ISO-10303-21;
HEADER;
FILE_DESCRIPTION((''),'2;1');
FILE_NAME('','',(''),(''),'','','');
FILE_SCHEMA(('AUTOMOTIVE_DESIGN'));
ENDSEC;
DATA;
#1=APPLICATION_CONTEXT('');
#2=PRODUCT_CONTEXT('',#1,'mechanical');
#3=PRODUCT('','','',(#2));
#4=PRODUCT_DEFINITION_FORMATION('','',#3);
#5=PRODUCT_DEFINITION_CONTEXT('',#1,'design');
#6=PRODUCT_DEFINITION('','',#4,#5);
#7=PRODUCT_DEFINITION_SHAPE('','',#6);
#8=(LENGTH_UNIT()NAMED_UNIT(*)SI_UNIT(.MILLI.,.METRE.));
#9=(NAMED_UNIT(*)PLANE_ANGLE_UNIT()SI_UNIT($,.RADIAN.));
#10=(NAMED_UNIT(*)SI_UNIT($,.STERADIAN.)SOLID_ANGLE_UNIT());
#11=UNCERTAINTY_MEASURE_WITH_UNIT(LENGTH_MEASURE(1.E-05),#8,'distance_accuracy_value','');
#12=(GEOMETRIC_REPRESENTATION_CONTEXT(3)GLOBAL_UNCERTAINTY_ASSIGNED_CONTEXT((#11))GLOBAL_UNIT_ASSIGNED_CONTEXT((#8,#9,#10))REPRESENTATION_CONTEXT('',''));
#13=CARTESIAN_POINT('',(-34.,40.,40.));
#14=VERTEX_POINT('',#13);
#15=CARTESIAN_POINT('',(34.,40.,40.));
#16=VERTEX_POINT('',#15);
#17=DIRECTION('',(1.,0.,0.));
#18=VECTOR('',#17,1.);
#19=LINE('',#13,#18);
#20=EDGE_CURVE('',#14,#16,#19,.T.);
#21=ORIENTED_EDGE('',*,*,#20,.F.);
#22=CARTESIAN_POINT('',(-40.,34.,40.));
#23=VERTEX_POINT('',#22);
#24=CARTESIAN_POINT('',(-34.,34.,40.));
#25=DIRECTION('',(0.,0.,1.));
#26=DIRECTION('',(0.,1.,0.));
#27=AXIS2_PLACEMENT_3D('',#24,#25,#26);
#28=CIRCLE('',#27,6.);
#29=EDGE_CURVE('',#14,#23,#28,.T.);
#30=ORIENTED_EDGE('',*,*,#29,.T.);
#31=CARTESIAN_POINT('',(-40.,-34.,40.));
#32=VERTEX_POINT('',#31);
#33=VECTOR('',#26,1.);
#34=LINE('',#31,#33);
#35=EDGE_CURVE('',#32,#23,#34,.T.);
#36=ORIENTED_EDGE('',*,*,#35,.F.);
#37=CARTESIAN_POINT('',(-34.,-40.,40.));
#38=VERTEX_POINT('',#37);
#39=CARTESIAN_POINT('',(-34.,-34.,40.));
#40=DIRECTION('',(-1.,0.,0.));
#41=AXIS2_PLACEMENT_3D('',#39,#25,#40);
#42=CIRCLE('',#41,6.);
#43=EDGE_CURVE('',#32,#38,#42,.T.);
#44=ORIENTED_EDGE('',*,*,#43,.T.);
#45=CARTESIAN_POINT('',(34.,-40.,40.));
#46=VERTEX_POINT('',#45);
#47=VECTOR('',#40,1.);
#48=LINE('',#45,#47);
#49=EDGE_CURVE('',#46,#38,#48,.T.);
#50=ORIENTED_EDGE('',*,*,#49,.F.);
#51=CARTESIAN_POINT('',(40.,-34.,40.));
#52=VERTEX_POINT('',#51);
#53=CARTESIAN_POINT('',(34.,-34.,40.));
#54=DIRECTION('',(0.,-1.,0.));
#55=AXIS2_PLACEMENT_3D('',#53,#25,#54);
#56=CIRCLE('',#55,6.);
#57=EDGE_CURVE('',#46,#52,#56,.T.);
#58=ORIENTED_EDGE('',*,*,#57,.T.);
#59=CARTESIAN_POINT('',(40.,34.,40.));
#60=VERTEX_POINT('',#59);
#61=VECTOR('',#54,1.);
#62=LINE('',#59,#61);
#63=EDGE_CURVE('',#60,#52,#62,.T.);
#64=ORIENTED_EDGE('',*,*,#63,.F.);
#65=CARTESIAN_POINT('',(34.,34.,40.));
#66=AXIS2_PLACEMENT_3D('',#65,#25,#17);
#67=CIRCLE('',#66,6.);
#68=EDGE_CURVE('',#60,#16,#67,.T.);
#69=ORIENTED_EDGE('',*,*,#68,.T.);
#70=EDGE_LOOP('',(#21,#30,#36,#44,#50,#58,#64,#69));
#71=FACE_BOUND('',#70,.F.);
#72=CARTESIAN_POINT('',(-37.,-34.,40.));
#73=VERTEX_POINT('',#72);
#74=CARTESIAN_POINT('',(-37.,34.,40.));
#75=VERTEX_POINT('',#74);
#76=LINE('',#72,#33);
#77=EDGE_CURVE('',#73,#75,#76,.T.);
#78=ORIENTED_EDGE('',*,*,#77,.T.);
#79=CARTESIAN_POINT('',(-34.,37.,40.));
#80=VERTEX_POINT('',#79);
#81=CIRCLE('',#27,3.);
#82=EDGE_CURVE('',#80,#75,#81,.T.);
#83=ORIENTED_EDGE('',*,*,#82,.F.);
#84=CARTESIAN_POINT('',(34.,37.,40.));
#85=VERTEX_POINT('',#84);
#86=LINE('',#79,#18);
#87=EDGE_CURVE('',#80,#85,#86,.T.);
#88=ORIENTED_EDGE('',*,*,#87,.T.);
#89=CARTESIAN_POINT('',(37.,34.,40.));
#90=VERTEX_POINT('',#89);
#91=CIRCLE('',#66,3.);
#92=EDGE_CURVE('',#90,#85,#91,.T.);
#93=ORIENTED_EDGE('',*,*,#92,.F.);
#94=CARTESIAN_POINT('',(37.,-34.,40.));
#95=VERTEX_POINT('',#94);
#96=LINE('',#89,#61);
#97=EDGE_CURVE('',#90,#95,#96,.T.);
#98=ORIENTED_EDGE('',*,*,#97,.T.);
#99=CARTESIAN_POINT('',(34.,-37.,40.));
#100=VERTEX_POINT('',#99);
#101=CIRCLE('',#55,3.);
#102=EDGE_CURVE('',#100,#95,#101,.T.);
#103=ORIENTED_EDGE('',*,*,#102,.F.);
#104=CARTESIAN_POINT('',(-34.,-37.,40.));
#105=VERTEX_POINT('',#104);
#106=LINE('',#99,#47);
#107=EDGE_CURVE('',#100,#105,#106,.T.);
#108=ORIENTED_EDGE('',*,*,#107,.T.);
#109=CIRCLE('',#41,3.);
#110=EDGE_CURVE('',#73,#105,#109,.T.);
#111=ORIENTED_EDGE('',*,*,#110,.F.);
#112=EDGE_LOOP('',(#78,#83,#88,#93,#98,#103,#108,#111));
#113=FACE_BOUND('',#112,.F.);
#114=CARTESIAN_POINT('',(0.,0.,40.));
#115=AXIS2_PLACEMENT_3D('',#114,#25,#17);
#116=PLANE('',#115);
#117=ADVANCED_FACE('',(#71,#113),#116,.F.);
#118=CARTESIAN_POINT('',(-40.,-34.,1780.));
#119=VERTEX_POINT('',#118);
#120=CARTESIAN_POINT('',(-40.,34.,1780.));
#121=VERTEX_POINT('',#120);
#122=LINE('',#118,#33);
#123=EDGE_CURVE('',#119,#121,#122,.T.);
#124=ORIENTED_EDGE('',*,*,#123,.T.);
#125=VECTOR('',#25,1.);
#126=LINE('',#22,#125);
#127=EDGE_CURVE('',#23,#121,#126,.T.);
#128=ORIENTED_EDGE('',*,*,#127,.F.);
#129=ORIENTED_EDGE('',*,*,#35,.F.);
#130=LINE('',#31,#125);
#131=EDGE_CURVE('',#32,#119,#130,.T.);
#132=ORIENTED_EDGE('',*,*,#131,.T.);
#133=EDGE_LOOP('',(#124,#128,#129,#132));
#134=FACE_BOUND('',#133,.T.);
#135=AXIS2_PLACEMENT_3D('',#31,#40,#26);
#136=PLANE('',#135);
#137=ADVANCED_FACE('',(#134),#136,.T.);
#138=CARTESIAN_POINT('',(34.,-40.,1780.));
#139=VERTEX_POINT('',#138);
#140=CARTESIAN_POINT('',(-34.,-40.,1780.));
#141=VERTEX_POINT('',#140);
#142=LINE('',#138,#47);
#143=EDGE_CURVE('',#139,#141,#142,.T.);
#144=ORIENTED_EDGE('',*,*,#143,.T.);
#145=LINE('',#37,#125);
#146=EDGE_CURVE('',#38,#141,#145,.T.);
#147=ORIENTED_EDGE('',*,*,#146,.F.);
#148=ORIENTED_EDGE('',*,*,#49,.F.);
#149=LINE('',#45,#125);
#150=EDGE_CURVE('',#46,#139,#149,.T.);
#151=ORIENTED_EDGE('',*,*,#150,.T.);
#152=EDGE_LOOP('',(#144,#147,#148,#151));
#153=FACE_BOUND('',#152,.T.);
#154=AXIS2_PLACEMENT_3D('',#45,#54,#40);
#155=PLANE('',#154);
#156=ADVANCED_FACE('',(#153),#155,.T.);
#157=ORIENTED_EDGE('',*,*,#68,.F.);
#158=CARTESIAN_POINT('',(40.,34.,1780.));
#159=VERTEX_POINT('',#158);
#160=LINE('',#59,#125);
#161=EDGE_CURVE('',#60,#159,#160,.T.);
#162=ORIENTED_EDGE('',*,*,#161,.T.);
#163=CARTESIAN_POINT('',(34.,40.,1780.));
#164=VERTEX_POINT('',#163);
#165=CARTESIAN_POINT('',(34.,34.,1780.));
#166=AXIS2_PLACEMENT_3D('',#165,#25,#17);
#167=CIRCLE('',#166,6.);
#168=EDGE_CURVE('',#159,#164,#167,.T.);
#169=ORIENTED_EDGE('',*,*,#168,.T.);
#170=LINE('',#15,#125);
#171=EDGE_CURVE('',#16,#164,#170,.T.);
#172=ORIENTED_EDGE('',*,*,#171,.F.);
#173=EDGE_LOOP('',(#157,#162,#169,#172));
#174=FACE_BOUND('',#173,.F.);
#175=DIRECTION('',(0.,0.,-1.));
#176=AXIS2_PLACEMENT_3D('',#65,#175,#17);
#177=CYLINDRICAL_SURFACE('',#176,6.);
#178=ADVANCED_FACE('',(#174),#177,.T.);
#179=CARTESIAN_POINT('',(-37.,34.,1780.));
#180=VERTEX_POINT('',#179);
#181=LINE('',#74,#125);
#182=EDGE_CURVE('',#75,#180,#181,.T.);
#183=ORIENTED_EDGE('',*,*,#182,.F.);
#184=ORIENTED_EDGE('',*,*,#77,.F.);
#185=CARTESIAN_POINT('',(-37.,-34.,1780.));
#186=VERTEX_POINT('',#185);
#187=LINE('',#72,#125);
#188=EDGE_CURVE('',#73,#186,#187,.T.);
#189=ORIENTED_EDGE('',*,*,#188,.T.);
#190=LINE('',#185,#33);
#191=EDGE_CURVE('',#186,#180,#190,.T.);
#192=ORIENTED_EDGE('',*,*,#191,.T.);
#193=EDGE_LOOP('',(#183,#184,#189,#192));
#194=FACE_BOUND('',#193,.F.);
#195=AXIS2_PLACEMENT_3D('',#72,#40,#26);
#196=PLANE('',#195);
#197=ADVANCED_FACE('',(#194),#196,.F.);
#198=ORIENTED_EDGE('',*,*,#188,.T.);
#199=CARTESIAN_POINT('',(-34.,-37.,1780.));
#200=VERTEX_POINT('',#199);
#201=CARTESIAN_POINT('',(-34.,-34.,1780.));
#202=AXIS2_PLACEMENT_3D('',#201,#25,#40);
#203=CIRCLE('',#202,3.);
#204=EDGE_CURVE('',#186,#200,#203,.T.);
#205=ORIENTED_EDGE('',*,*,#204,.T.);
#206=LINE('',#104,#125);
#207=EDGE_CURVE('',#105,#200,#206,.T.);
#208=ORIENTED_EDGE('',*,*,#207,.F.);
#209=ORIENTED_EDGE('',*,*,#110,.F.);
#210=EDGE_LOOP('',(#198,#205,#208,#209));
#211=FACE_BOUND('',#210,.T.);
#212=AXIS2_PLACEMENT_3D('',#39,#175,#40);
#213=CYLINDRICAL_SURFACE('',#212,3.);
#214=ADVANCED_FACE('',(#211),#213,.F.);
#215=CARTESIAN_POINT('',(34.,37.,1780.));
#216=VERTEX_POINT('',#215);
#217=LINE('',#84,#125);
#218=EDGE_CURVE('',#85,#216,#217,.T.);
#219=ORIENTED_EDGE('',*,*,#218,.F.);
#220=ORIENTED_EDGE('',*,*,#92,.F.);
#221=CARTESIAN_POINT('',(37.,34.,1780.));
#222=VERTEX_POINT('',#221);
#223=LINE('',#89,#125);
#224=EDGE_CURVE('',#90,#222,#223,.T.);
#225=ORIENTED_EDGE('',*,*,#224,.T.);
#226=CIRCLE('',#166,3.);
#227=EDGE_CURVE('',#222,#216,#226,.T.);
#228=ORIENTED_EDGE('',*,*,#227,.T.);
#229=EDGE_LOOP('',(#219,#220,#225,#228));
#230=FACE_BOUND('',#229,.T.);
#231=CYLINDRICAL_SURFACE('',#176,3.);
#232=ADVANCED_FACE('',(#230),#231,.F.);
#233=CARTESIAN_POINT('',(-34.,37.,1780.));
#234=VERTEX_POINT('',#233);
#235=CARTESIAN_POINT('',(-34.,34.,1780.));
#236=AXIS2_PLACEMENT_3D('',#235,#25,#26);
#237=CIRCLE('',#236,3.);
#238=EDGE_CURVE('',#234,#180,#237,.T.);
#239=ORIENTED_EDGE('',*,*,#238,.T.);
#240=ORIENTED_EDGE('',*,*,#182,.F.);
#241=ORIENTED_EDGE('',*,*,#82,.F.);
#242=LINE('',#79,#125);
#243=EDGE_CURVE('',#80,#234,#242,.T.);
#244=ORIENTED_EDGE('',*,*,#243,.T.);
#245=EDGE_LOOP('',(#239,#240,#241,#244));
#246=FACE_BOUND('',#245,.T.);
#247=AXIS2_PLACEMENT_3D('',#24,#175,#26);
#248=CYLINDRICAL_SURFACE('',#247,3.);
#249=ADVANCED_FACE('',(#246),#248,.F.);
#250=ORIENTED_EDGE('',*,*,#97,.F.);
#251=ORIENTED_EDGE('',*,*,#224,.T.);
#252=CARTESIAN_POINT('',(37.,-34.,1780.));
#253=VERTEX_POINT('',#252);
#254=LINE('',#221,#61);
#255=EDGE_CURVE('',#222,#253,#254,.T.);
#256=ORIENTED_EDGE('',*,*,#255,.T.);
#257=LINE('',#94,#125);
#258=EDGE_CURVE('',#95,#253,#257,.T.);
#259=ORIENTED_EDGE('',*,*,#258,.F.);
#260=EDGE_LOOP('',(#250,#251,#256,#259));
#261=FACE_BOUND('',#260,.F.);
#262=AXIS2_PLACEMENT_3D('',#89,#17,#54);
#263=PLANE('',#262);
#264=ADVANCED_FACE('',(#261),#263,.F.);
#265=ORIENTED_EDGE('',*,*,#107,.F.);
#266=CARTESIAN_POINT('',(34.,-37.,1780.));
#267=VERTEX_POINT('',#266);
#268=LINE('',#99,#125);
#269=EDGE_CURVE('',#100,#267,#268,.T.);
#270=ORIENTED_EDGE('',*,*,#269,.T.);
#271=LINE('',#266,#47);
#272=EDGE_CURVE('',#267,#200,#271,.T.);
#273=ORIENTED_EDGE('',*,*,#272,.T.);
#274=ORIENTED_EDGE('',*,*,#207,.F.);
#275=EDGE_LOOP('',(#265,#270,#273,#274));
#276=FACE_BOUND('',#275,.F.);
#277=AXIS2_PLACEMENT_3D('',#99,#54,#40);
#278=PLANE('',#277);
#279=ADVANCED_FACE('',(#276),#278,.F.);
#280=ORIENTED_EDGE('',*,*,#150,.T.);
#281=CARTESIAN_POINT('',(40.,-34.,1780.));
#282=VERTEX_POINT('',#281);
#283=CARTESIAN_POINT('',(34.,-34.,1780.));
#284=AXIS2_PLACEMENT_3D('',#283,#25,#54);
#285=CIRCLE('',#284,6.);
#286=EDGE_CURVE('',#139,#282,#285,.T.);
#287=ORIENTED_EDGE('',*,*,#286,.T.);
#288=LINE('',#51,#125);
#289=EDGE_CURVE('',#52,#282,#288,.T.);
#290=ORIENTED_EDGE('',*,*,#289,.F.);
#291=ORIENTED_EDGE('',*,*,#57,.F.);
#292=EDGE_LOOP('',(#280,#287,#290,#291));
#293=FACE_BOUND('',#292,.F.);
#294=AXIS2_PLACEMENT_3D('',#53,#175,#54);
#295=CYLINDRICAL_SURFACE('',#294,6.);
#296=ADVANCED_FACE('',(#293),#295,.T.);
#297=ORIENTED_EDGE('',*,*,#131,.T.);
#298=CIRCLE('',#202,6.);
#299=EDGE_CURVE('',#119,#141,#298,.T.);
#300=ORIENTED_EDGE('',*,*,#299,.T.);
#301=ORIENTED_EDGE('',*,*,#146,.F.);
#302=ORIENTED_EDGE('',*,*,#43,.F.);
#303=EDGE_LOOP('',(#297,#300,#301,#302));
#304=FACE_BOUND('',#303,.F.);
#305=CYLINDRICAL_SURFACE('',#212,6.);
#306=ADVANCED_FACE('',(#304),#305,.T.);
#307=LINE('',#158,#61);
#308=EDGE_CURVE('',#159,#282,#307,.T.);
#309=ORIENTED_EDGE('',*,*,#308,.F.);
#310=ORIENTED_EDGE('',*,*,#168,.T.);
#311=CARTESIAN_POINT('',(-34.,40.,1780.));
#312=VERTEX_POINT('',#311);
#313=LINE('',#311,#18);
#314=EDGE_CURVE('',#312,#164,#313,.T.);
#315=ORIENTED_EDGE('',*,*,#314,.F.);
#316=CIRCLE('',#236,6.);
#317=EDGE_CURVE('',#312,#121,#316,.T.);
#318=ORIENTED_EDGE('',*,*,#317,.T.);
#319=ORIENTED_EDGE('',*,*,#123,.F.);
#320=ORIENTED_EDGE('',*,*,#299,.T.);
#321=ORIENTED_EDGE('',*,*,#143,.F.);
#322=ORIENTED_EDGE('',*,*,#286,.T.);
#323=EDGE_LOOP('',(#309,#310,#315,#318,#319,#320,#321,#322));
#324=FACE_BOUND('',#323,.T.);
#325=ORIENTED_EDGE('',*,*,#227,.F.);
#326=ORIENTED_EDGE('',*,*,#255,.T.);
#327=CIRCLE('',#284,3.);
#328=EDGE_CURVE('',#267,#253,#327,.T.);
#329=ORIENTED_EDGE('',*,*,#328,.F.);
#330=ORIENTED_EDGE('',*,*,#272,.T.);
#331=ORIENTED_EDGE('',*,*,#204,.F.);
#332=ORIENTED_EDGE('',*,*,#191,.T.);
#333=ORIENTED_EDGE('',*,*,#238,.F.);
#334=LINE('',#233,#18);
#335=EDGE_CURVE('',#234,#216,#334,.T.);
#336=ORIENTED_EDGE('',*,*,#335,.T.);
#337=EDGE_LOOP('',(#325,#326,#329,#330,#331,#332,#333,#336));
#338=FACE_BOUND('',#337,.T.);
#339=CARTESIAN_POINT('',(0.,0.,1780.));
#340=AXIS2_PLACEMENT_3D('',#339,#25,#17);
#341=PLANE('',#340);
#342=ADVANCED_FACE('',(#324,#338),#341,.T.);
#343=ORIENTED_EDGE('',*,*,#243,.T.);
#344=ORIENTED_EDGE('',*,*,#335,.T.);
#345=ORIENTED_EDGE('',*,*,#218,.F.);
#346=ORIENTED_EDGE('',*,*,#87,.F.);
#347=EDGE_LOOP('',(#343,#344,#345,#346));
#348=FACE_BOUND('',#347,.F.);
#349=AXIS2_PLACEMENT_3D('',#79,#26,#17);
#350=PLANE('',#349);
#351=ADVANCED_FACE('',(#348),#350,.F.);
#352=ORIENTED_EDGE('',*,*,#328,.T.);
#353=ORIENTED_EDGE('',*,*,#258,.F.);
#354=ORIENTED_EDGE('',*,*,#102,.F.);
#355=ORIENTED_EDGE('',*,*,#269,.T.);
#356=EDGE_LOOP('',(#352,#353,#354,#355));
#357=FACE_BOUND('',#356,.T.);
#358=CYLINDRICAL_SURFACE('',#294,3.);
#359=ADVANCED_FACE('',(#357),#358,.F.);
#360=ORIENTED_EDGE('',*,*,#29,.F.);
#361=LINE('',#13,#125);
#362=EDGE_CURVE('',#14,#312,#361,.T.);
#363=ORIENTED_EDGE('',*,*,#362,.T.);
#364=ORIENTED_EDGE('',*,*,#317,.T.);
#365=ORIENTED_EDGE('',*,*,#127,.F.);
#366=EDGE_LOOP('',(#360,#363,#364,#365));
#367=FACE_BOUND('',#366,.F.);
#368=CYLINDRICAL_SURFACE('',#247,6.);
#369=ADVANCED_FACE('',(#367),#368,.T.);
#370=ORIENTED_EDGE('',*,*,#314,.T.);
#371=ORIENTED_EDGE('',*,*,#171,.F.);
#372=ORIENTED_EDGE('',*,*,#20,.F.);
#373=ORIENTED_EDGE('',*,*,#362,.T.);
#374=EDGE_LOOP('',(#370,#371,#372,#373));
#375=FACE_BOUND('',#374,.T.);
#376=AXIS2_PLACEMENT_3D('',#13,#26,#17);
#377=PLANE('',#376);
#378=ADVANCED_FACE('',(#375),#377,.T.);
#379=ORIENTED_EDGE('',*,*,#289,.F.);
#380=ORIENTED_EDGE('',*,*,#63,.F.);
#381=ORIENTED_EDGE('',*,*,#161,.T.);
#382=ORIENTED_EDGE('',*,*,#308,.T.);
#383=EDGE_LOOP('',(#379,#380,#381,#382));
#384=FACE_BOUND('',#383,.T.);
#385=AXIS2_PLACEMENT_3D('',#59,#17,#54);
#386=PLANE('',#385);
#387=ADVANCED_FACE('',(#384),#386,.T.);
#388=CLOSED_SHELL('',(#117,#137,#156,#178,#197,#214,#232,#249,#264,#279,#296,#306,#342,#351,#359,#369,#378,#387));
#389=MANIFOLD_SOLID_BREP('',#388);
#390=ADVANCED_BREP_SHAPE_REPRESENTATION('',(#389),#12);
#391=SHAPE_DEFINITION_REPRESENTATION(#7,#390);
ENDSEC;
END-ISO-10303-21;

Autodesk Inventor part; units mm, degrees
ref_plane "YZ Plane" through (0, 0, 0) normal (1, 0, 0) x (0, 1, 0)
ref_plane "Start Plane" through (0, 0, 40) normal (0, 0, 1) x (1, 0, 0)
ref_plane "End Plane" through (0, 0, 1780) normal (0, 0, 1) x (1, 0, 0)
sketch "Sketch" plane through (0, 0, 0) normal (0, 0, 1) x (1, 0, 0)
  line L0 (-40, -34) -> (-40, 34)
  line L1 (-34, 40) -> (34, 40)
  line L2 (40, 34) -> (40, -34)
  line L3 (34, -40) -> (-34, -40)
  arc A0 (-40, -34) -> (-34, -40) centre (-34, -34) ccw
  arc A1 (40, 34) -> (34, 40) centre (34, 34) ccw
  arc A2 (-34, 40) -> (-40, 34) centre (-34, 34) ccw
  arc A3 (34, -40) -> (40, -34) centre (34, -34) ccw
  arc A4 (-34, 37) -> (-37, 34) centre (-34, 34) ccw
  line L4 (-34, 37) -> (34, 37)
  arc A5 (37, 34) -> (34, 37) centre (34, 34) ccw
  line L5 (37, 34) -> (37, -34)
  arc A6 (34, -37) -> (37, -34) centre (34, -34) ccw
  line L6 (34, -37) -> (-34, -37)
  arc A7 (-37, -34) -> (-34, -37) centre (-34, -34) ccw
  line L7 (-37, -34) -> (-37, 34)
  line L8 (0, 57.7397) -> (0, -57.7397) construction
  line L9 (-57.7397, 0) -> (57.7397, 0) construction
  dimension "d7" = 6
  dimension "d9" = 80
  dimension "d11" = 80
  dimension "d12" = 3
  dimension "d15" = 40
  dimension "d16" = 40
extrude "Body" add sketch "Sketch" along normal up to surface (1740 mm away) from surface at 40
sketch "Sketch3" plane through (0, 0, 0) normal (0, 0, 1) x (1, 0, 0)
  line L0 (0, 0) -> (10, 0)
ref_plane "Work Plane3" through (0, 0, 0) normal (0, -1, 0) x (1, 0, 0)
sketch "Sketch4" plane through (0, 0, 0) normal (0, -1, 0) x (1, 0, 0)
  line L0 (-2, 40) -> (12, 40) projected
  line L1 (-2, 1780) -> (12, 1780) projected
  dimension "d18" = 1740
equation "\"d7\" = G_IR"
equation "\"d9\" = G_W"
equation "\"d11\" = G_H"
equation "\"d12\" = G_T"
equation "\"d15\" = 0.5 * d9"
equation "\"d16\" = 0.5 * d11"
equation "\"d3\" = G_L"
equation "\"G_W\" = 80"
equation "\"G_H\" = 80"
equation "\"G_T\" = 3"
equation "\"G_IR\" = 6"
equation "\"G_L\" = d18"
properties part number "ISO 4019 - 80x80x3 - 1740" material "Steel, Mild"
